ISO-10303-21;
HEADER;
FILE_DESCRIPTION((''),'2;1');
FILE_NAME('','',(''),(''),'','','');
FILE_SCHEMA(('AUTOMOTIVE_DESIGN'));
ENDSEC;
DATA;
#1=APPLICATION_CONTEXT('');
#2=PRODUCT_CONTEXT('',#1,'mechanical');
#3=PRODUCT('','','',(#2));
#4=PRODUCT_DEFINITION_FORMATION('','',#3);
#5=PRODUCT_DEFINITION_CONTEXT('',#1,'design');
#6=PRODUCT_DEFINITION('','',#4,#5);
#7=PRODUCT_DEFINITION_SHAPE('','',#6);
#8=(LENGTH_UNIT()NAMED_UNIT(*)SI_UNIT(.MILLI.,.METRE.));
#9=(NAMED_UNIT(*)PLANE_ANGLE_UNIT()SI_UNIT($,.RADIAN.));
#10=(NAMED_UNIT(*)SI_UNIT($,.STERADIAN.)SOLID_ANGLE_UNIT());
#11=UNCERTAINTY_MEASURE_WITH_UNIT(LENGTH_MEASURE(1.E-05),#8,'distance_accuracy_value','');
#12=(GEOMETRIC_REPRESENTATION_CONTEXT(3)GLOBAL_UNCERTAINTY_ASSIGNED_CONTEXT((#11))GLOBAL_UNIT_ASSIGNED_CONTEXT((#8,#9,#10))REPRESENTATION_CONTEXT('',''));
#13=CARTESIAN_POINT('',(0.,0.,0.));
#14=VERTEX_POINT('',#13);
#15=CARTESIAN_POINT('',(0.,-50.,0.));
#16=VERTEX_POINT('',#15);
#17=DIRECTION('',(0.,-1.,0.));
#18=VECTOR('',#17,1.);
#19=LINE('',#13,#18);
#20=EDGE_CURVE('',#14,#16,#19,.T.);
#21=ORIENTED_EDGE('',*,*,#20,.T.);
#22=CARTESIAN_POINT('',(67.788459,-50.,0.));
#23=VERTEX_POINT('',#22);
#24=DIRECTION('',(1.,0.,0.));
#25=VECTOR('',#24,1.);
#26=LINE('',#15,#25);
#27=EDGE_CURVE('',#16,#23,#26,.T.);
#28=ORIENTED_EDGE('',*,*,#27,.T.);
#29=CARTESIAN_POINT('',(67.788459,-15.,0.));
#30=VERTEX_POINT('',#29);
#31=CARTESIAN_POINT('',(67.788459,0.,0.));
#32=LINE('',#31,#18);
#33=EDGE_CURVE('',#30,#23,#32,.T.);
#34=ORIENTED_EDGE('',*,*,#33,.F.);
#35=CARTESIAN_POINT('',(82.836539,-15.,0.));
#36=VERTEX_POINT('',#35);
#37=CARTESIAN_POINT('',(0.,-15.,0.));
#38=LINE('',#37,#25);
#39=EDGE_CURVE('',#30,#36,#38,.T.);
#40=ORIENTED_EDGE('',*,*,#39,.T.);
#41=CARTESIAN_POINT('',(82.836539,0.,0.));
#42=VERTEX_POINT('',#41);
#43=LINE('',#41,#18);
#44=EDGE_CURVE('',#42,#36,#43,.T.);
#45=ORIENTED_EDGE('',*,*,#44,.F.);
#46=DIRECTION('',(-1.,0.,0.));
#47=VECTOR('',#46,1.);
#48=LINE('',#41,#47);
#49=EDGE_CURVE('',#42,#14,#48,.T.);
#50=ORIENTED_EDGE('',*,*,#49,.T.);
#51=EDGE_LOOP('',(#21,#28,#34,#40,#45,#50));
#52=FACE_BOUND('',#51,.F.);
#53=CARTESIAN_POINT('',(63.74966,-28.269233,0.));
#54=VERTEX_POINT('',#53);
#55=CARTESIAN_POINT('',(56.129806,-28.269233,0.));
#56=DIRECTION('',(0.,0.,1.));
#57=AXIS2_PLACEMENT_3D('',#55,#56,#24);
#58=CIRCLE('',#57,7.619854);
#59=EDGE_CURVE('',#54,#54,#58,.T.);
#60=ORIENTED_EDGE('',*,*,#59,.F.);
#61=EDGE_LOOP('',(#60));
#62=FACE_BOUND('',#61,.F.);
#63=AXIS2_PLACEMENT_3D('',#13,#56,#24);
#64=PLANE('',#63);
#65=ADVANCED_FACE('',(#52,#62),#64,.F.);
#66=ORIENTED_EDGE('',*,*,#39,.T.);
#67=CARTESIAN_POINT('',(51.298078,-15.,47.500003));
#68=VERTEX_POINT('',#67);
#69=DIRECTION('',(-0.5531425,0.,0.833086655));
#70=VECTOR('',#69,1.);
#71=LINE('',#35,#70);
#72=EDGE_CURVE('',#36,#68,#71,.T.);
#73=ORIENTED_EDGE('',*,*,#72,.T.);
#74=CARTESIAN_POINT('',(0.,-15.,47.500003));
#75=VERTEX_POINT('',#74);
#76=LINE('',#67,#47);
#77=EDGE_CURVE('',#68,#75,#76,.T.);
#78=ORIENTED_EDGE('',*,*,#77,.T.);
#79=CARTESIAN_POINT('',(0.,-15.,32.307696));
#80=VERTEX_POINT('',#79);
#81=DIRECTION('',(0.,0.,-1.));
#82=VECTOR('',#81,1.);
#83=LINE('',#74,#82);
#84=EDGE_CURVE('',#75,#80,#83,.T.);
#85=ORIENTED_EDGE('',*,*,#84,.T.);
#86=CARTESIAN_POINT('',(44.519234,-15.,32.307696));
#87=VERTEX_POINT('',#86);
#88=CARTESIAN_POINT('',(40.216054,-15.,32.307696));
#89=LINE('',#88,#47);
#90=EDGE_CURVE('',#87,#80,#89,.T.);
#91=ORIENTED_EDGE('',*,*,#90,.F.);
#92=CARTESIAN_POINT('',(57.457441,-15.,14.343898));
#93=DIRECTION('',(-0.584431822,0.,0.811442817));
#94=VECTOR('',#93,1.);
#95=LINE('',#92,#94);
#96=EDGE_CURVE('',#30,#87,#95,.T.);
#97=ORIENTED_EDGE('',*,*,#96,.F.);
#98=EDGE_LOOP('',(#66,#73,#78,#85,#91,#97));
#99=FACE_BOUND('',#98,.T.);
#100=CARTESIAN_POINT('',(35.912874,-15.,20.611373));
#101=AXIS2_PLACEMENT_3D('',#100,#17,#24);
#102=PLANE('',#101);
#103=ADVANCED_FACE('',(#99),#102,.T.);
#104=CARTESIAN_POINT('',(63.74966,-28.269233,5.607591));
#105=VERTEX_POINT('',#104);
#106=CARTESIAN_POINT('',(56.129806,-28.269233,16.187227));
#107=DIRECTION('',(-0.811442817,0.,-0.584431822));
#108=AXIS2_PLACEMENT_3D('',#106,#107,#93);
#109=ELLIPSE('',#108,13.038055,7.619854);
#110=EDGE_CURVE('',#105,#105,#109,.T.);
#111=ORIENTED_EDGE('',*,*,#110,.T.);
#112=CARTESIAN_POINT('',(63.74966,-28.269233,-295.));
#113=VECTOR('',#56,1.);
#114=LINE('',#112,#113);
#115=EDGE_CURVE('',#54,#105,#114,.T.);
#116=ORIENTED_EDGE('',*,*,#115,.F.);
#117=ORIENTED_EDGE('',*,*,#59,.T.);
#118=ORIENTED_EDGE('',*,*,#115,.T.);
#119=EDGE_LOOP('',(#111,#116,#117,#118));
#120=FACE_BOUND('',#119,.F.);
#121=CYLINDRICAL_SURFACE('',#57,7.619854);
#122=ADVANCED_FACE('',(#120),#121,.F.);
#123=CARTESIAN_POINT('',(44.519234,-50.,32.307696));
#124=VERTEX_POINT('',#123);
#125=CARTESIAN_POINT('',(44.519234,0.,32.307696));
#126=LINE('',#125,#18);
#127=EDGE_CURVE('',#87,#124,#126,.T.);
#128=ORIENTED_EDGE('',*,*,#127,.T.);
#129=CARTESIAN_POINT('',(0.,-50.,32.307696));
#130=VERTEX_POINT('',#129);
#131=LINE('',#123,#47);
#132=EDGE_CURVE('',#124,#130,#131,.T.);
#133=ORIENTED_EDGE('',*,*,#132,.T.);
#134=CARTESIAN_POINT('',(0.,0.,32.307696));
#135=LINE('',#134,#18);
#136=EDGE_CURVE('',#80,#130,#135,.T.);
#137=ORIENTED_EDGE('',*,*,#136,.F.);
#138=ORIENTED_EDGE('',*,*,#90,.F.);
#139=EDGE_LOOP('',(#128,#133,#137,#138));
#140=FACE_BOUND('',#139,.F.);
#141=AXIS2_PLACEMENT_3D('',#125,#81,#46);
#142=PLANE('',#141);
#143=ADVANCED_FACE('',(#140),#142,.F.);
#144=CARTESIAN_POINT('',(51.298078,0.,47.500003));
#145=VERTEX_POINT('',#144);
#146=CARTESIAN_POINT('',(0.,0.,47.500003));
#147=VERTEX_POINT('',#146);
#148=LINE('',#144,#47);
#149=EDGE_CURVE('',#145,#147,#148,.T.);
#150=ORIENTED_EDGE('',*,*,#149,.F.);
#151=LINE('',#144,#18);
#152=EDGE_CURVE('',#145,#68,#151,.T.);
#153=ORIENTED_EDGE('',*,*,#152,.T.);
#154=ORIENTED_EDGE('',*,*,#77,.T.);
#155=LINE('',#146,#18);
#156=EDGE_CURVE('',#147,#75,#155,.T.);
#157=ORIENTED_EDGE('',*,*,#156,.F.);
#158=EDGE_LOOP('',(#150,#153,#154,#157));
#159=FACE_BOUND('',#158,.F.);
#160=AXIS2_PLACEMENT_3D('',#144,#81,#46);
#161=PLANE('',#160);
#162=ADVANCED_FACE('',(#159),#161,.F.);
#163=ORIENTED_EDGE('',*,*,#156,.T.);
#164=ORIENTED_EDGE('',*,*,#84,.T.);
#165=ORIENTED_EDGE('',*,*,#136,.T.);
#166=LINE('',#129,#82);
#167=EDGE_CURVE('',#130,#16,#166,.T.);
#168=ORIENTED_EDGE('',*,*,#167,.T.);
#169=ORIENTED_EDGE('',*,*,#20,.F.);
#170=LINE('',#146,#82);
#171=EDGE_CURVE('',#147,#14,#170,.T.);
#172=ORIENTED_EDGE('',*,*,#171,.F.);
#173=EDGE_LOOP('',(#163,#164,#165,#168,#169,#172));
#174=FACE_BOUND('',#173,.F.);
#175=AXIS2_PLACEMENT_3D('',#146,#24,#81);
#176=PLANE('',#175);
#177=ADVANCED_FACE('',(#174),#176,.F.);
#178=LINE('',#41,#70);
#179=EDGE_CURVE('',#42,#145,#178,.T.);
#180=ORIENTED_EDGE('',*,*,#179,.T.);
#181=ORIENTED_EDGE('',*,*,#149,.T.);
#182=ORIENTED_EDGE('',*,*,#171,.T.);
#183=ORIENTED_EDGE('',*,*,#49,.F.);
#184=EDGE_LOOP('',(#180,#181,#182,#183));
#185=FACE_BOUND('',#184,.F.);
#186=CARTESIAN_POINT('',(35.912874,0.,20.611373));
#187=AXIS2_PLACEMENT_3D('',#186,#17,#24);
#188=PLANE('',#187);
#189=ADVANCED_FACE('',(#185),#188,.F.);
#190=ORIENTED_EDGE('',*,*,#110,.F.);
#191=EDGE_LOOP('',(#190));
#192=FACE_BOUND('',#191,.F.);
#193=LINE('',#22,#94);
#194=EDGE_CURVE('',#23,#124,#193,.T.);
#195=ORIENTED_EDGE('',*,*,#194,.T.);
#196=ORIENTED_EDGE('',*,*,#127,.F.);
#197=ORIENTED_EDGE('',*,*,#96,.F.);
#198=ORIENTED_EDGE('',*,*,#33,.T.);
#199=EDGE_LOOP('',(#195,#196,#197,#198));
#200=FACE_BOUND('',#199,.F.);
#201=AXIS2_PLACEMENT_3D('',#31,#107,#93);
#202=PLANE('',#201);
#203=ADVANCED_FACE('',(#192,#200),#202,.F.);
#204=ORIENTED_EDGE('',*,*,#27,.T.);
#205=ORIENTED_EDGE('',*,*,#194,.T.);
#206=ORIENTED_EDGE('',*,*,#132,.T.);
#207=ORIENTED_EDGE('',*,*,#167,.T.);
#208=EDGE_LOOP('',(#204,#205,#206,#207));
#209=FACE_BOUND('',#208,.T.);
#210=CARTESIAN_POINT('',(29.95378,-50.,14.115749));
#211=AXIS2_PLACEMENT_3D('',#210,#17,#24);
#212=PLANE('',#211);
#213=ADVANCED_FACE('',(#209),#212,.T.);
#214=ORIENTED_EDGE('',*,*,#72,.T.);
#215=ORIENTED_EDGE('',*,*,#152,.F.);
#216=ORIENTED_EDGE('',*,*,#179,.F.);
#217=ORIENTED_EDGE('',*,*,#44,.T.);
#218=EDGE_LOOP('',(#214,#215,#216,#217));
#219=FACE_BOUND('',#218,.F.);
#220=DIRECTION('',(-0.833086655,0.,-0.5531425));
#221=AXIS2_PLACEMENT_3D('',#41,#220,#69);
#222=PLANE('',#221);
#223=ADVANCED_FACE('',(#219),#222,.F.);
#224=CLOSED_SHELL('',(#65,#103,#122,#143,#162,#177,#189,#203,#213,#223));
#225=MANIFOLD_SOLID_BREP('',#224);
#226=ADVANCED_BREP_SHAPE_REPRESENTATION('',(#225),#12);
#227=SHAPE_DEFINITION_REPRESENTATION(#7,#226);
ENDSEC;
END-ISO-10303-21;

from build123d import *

# Parameters (mm, degrees)
F1_DEPTH = 50
F3_DEPTH = 15
F4_R     = 7.6198541316
F5_DEPTH = 295


with BuildPart() as f1:
    # F0 (on Front) → F1 (new body)
    with BuildSketch(Plane.XZ):
        Polygon((0, 32.3076955974), (0, 0), (67.7884593606, 0), (44.5192344487, 32.3076955974), align=None)
    extrude(amount=F1_DEPTH)

    # F2 (on Front) → F3 (join)
    with BuildSketch(Plane.XZ):
        Polygon((0, 47.5000031292), (0, 0), (82.8365385532, 0), (51.2980781496, 47.5000031292), align=None)
    extrude(amount=F3_DEPTH)

    # F4 (on Top) → F5 (cut, symmetric)
    with BuildSketch(Plane.XY):
        with Locations((56.1298057437, -28.2692331821)):
            Circle(F4_R)
    extrude(amount=F5_DEPTH, both=True, mode=Mode.SUBTRACT)


solid = f1.part
